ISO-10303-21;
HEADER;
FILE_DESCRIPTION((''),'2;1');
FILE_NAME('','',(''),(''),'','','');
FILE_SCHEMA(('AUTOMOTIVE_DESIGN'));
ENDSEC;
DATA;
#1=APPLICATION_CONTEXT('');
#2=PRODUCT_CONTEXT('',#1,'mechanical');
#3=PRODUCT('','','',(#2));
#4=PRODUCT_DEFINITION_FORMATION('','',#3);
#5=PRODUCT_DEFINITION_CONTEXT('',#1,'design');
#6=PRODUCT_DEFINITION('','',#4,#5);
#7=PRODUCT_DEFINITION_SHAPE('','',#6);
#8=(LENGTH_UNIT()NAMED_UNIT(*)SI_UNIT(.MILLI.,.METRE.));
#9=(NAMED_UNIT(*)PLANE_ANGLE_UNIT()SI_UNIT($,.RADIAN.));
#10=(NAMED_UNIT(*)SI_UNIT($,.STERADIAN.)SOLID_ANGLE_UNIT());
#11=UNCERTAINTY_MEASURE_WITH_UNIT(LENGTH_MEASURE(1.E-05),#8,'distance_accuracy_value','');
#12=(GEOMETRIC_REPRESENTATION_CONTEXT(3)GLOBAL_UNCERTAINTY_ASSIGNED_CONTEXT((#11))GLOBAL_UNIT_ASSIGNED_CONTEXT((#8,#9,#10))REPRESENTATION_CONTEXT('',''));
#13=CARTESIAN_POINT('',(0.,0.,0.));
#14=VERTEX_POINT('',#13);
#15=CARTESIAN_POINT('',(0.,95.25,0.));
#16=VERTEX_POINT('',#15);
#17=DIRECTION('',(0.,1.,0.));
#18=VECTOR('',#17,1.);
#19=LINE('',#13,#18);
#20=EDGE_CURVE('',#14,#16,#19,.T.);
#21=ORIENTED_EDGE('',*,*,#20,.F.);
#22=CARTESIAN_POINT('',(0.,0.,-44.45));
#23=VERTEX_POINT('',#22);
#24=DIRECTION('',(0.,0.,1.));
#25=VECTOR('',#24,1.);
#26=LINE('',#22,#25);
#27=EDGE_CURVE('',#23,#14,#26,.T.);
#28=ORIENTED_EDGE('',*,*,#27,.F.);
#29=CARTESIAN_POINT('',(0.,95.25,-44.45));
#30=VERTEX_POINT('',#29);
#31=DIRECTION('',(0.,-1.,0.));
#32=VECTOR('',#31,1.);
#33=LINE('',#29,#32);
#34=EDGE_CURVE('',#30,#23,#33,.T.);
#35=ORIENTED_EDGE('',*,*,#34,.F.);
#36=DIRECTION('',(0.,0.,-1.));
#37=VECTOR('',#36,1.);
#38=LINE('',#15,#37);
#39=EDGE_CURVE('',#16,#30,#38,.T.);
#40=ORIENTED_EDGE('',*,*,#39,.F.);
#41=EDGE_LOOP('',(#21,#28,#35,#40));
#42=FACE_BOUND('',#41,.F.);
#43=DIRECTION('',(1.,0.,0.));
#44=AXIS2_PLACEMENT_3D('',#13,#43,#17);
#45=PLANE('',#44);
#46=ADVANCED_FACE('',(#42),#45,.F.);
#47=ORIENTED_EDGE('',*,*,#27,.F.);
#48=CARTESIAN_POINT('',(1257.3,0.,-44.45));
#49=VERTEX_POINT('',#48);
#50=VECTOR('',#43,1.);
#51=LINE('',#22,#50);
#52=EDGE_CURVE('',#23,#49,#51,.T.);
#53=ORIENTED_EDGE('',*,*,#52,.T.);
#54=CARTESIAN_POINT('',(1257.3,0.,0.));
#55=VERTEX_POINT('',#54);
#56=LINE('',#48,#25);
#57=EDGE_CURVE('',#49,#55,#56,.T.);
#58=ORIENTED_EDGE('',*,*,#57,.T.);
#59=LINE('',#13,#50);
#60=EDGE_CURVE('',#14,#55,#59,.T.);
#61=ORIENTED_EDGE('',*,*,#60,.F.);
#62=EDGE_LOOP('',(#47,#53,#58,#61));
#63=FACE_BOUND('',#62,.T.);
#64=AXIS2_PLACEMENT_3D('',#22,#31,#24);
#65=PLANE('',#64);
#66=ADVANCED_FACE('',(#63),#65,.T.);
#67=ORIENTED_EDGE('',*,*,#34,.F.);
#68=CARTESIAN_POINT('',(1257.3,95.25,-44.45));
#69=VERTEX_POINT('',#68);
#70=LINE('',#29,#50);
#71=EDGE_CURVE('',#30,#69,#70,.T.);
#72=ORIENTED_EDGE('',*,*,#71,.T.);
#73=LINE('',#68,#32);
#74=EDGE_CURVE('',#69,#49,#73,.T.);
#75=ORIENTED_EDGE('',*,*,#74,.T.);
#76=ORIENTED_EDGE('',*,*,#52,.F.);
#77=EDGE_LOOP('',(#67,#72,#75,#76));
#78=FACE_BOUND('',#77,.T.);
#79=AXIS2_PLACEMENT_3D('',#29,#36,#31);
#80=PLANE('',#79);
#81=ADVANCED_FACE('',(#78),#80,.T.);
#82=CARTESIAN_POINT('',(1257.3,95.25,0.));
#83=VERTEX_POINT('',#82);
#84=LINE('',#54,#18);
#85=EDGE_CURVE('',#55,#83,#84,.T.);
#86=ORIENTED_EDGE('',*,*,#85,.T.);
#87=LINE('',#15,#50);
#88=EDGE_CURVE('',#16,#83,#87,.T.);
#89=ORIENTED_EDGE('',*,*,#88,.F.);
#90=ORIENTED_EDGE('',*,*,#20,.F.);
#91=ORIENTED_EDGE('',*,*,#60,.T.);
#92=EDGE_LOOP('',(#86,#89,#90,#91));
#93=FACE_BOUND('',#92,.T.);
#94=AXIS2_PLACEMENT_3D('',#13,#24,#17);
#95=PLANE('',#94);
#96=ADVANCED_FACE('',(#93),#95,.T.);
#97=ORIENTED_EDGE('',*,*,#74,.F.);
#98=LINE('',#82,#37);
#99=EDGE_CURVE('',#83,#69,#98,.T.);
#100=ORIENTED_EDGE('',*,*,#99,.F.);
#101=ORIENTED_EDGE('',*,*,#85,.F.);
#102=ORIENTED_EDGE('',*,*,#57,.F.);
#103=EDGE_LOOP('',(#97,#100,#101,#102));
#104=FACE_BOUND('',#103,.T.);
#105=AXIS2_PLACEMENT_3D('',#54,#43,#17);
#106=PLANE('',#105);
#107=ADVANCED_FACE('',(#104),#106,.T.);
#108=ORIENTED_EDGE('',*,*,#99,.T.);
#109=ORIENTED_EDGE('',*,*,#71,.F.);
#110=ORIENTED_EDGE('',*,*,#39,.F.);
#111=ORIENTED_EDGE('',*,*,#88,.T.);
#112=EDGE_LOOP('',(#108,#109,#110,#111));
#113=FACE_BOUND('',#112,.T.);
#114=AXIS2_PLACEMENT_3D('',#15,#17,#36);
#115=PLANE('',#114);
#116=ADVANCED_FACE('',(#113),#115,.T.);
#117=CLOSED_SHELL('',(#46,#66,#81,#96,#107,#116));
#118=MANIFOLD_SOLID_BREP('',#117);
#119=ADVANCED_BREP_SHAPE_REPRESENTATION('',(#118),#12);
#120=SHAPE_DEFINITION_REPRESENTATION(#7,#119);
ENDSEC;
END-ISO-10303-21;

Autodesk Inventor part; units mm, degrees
ref_plane "YZ Plane" through (0, 0, 0) normal (1, 0, 0) x (0, 1, 0)
ref_plane "XZ Plane" through (0, 0, 0) normal (0, 1, 0) x (-1, 0, 0)
ref_plane "XY Plane" through (0, 0, 0) normal (0, 0, 1) x (1, 0, 0)
sketch "Sketch1" plane through (0, 0, 0) normal (1, 0, 0) x (0, 1, 0)
  line L0 (0, 0) -> (95.25, 0)
  line L1 (95.25, 0) -> (95.25, -44.45)
  line L2 (95.25, -44.45) -> (0, -44.45)
  line L3 (0, -44.45) -> (0, 0)
  dimension "d0" = 44.45
  dimension "d1" = 95.25
extrude "Extrusion1" add sketch "Sketch1" along normal blind 1257.3
properties part number "2x4x49.5"
